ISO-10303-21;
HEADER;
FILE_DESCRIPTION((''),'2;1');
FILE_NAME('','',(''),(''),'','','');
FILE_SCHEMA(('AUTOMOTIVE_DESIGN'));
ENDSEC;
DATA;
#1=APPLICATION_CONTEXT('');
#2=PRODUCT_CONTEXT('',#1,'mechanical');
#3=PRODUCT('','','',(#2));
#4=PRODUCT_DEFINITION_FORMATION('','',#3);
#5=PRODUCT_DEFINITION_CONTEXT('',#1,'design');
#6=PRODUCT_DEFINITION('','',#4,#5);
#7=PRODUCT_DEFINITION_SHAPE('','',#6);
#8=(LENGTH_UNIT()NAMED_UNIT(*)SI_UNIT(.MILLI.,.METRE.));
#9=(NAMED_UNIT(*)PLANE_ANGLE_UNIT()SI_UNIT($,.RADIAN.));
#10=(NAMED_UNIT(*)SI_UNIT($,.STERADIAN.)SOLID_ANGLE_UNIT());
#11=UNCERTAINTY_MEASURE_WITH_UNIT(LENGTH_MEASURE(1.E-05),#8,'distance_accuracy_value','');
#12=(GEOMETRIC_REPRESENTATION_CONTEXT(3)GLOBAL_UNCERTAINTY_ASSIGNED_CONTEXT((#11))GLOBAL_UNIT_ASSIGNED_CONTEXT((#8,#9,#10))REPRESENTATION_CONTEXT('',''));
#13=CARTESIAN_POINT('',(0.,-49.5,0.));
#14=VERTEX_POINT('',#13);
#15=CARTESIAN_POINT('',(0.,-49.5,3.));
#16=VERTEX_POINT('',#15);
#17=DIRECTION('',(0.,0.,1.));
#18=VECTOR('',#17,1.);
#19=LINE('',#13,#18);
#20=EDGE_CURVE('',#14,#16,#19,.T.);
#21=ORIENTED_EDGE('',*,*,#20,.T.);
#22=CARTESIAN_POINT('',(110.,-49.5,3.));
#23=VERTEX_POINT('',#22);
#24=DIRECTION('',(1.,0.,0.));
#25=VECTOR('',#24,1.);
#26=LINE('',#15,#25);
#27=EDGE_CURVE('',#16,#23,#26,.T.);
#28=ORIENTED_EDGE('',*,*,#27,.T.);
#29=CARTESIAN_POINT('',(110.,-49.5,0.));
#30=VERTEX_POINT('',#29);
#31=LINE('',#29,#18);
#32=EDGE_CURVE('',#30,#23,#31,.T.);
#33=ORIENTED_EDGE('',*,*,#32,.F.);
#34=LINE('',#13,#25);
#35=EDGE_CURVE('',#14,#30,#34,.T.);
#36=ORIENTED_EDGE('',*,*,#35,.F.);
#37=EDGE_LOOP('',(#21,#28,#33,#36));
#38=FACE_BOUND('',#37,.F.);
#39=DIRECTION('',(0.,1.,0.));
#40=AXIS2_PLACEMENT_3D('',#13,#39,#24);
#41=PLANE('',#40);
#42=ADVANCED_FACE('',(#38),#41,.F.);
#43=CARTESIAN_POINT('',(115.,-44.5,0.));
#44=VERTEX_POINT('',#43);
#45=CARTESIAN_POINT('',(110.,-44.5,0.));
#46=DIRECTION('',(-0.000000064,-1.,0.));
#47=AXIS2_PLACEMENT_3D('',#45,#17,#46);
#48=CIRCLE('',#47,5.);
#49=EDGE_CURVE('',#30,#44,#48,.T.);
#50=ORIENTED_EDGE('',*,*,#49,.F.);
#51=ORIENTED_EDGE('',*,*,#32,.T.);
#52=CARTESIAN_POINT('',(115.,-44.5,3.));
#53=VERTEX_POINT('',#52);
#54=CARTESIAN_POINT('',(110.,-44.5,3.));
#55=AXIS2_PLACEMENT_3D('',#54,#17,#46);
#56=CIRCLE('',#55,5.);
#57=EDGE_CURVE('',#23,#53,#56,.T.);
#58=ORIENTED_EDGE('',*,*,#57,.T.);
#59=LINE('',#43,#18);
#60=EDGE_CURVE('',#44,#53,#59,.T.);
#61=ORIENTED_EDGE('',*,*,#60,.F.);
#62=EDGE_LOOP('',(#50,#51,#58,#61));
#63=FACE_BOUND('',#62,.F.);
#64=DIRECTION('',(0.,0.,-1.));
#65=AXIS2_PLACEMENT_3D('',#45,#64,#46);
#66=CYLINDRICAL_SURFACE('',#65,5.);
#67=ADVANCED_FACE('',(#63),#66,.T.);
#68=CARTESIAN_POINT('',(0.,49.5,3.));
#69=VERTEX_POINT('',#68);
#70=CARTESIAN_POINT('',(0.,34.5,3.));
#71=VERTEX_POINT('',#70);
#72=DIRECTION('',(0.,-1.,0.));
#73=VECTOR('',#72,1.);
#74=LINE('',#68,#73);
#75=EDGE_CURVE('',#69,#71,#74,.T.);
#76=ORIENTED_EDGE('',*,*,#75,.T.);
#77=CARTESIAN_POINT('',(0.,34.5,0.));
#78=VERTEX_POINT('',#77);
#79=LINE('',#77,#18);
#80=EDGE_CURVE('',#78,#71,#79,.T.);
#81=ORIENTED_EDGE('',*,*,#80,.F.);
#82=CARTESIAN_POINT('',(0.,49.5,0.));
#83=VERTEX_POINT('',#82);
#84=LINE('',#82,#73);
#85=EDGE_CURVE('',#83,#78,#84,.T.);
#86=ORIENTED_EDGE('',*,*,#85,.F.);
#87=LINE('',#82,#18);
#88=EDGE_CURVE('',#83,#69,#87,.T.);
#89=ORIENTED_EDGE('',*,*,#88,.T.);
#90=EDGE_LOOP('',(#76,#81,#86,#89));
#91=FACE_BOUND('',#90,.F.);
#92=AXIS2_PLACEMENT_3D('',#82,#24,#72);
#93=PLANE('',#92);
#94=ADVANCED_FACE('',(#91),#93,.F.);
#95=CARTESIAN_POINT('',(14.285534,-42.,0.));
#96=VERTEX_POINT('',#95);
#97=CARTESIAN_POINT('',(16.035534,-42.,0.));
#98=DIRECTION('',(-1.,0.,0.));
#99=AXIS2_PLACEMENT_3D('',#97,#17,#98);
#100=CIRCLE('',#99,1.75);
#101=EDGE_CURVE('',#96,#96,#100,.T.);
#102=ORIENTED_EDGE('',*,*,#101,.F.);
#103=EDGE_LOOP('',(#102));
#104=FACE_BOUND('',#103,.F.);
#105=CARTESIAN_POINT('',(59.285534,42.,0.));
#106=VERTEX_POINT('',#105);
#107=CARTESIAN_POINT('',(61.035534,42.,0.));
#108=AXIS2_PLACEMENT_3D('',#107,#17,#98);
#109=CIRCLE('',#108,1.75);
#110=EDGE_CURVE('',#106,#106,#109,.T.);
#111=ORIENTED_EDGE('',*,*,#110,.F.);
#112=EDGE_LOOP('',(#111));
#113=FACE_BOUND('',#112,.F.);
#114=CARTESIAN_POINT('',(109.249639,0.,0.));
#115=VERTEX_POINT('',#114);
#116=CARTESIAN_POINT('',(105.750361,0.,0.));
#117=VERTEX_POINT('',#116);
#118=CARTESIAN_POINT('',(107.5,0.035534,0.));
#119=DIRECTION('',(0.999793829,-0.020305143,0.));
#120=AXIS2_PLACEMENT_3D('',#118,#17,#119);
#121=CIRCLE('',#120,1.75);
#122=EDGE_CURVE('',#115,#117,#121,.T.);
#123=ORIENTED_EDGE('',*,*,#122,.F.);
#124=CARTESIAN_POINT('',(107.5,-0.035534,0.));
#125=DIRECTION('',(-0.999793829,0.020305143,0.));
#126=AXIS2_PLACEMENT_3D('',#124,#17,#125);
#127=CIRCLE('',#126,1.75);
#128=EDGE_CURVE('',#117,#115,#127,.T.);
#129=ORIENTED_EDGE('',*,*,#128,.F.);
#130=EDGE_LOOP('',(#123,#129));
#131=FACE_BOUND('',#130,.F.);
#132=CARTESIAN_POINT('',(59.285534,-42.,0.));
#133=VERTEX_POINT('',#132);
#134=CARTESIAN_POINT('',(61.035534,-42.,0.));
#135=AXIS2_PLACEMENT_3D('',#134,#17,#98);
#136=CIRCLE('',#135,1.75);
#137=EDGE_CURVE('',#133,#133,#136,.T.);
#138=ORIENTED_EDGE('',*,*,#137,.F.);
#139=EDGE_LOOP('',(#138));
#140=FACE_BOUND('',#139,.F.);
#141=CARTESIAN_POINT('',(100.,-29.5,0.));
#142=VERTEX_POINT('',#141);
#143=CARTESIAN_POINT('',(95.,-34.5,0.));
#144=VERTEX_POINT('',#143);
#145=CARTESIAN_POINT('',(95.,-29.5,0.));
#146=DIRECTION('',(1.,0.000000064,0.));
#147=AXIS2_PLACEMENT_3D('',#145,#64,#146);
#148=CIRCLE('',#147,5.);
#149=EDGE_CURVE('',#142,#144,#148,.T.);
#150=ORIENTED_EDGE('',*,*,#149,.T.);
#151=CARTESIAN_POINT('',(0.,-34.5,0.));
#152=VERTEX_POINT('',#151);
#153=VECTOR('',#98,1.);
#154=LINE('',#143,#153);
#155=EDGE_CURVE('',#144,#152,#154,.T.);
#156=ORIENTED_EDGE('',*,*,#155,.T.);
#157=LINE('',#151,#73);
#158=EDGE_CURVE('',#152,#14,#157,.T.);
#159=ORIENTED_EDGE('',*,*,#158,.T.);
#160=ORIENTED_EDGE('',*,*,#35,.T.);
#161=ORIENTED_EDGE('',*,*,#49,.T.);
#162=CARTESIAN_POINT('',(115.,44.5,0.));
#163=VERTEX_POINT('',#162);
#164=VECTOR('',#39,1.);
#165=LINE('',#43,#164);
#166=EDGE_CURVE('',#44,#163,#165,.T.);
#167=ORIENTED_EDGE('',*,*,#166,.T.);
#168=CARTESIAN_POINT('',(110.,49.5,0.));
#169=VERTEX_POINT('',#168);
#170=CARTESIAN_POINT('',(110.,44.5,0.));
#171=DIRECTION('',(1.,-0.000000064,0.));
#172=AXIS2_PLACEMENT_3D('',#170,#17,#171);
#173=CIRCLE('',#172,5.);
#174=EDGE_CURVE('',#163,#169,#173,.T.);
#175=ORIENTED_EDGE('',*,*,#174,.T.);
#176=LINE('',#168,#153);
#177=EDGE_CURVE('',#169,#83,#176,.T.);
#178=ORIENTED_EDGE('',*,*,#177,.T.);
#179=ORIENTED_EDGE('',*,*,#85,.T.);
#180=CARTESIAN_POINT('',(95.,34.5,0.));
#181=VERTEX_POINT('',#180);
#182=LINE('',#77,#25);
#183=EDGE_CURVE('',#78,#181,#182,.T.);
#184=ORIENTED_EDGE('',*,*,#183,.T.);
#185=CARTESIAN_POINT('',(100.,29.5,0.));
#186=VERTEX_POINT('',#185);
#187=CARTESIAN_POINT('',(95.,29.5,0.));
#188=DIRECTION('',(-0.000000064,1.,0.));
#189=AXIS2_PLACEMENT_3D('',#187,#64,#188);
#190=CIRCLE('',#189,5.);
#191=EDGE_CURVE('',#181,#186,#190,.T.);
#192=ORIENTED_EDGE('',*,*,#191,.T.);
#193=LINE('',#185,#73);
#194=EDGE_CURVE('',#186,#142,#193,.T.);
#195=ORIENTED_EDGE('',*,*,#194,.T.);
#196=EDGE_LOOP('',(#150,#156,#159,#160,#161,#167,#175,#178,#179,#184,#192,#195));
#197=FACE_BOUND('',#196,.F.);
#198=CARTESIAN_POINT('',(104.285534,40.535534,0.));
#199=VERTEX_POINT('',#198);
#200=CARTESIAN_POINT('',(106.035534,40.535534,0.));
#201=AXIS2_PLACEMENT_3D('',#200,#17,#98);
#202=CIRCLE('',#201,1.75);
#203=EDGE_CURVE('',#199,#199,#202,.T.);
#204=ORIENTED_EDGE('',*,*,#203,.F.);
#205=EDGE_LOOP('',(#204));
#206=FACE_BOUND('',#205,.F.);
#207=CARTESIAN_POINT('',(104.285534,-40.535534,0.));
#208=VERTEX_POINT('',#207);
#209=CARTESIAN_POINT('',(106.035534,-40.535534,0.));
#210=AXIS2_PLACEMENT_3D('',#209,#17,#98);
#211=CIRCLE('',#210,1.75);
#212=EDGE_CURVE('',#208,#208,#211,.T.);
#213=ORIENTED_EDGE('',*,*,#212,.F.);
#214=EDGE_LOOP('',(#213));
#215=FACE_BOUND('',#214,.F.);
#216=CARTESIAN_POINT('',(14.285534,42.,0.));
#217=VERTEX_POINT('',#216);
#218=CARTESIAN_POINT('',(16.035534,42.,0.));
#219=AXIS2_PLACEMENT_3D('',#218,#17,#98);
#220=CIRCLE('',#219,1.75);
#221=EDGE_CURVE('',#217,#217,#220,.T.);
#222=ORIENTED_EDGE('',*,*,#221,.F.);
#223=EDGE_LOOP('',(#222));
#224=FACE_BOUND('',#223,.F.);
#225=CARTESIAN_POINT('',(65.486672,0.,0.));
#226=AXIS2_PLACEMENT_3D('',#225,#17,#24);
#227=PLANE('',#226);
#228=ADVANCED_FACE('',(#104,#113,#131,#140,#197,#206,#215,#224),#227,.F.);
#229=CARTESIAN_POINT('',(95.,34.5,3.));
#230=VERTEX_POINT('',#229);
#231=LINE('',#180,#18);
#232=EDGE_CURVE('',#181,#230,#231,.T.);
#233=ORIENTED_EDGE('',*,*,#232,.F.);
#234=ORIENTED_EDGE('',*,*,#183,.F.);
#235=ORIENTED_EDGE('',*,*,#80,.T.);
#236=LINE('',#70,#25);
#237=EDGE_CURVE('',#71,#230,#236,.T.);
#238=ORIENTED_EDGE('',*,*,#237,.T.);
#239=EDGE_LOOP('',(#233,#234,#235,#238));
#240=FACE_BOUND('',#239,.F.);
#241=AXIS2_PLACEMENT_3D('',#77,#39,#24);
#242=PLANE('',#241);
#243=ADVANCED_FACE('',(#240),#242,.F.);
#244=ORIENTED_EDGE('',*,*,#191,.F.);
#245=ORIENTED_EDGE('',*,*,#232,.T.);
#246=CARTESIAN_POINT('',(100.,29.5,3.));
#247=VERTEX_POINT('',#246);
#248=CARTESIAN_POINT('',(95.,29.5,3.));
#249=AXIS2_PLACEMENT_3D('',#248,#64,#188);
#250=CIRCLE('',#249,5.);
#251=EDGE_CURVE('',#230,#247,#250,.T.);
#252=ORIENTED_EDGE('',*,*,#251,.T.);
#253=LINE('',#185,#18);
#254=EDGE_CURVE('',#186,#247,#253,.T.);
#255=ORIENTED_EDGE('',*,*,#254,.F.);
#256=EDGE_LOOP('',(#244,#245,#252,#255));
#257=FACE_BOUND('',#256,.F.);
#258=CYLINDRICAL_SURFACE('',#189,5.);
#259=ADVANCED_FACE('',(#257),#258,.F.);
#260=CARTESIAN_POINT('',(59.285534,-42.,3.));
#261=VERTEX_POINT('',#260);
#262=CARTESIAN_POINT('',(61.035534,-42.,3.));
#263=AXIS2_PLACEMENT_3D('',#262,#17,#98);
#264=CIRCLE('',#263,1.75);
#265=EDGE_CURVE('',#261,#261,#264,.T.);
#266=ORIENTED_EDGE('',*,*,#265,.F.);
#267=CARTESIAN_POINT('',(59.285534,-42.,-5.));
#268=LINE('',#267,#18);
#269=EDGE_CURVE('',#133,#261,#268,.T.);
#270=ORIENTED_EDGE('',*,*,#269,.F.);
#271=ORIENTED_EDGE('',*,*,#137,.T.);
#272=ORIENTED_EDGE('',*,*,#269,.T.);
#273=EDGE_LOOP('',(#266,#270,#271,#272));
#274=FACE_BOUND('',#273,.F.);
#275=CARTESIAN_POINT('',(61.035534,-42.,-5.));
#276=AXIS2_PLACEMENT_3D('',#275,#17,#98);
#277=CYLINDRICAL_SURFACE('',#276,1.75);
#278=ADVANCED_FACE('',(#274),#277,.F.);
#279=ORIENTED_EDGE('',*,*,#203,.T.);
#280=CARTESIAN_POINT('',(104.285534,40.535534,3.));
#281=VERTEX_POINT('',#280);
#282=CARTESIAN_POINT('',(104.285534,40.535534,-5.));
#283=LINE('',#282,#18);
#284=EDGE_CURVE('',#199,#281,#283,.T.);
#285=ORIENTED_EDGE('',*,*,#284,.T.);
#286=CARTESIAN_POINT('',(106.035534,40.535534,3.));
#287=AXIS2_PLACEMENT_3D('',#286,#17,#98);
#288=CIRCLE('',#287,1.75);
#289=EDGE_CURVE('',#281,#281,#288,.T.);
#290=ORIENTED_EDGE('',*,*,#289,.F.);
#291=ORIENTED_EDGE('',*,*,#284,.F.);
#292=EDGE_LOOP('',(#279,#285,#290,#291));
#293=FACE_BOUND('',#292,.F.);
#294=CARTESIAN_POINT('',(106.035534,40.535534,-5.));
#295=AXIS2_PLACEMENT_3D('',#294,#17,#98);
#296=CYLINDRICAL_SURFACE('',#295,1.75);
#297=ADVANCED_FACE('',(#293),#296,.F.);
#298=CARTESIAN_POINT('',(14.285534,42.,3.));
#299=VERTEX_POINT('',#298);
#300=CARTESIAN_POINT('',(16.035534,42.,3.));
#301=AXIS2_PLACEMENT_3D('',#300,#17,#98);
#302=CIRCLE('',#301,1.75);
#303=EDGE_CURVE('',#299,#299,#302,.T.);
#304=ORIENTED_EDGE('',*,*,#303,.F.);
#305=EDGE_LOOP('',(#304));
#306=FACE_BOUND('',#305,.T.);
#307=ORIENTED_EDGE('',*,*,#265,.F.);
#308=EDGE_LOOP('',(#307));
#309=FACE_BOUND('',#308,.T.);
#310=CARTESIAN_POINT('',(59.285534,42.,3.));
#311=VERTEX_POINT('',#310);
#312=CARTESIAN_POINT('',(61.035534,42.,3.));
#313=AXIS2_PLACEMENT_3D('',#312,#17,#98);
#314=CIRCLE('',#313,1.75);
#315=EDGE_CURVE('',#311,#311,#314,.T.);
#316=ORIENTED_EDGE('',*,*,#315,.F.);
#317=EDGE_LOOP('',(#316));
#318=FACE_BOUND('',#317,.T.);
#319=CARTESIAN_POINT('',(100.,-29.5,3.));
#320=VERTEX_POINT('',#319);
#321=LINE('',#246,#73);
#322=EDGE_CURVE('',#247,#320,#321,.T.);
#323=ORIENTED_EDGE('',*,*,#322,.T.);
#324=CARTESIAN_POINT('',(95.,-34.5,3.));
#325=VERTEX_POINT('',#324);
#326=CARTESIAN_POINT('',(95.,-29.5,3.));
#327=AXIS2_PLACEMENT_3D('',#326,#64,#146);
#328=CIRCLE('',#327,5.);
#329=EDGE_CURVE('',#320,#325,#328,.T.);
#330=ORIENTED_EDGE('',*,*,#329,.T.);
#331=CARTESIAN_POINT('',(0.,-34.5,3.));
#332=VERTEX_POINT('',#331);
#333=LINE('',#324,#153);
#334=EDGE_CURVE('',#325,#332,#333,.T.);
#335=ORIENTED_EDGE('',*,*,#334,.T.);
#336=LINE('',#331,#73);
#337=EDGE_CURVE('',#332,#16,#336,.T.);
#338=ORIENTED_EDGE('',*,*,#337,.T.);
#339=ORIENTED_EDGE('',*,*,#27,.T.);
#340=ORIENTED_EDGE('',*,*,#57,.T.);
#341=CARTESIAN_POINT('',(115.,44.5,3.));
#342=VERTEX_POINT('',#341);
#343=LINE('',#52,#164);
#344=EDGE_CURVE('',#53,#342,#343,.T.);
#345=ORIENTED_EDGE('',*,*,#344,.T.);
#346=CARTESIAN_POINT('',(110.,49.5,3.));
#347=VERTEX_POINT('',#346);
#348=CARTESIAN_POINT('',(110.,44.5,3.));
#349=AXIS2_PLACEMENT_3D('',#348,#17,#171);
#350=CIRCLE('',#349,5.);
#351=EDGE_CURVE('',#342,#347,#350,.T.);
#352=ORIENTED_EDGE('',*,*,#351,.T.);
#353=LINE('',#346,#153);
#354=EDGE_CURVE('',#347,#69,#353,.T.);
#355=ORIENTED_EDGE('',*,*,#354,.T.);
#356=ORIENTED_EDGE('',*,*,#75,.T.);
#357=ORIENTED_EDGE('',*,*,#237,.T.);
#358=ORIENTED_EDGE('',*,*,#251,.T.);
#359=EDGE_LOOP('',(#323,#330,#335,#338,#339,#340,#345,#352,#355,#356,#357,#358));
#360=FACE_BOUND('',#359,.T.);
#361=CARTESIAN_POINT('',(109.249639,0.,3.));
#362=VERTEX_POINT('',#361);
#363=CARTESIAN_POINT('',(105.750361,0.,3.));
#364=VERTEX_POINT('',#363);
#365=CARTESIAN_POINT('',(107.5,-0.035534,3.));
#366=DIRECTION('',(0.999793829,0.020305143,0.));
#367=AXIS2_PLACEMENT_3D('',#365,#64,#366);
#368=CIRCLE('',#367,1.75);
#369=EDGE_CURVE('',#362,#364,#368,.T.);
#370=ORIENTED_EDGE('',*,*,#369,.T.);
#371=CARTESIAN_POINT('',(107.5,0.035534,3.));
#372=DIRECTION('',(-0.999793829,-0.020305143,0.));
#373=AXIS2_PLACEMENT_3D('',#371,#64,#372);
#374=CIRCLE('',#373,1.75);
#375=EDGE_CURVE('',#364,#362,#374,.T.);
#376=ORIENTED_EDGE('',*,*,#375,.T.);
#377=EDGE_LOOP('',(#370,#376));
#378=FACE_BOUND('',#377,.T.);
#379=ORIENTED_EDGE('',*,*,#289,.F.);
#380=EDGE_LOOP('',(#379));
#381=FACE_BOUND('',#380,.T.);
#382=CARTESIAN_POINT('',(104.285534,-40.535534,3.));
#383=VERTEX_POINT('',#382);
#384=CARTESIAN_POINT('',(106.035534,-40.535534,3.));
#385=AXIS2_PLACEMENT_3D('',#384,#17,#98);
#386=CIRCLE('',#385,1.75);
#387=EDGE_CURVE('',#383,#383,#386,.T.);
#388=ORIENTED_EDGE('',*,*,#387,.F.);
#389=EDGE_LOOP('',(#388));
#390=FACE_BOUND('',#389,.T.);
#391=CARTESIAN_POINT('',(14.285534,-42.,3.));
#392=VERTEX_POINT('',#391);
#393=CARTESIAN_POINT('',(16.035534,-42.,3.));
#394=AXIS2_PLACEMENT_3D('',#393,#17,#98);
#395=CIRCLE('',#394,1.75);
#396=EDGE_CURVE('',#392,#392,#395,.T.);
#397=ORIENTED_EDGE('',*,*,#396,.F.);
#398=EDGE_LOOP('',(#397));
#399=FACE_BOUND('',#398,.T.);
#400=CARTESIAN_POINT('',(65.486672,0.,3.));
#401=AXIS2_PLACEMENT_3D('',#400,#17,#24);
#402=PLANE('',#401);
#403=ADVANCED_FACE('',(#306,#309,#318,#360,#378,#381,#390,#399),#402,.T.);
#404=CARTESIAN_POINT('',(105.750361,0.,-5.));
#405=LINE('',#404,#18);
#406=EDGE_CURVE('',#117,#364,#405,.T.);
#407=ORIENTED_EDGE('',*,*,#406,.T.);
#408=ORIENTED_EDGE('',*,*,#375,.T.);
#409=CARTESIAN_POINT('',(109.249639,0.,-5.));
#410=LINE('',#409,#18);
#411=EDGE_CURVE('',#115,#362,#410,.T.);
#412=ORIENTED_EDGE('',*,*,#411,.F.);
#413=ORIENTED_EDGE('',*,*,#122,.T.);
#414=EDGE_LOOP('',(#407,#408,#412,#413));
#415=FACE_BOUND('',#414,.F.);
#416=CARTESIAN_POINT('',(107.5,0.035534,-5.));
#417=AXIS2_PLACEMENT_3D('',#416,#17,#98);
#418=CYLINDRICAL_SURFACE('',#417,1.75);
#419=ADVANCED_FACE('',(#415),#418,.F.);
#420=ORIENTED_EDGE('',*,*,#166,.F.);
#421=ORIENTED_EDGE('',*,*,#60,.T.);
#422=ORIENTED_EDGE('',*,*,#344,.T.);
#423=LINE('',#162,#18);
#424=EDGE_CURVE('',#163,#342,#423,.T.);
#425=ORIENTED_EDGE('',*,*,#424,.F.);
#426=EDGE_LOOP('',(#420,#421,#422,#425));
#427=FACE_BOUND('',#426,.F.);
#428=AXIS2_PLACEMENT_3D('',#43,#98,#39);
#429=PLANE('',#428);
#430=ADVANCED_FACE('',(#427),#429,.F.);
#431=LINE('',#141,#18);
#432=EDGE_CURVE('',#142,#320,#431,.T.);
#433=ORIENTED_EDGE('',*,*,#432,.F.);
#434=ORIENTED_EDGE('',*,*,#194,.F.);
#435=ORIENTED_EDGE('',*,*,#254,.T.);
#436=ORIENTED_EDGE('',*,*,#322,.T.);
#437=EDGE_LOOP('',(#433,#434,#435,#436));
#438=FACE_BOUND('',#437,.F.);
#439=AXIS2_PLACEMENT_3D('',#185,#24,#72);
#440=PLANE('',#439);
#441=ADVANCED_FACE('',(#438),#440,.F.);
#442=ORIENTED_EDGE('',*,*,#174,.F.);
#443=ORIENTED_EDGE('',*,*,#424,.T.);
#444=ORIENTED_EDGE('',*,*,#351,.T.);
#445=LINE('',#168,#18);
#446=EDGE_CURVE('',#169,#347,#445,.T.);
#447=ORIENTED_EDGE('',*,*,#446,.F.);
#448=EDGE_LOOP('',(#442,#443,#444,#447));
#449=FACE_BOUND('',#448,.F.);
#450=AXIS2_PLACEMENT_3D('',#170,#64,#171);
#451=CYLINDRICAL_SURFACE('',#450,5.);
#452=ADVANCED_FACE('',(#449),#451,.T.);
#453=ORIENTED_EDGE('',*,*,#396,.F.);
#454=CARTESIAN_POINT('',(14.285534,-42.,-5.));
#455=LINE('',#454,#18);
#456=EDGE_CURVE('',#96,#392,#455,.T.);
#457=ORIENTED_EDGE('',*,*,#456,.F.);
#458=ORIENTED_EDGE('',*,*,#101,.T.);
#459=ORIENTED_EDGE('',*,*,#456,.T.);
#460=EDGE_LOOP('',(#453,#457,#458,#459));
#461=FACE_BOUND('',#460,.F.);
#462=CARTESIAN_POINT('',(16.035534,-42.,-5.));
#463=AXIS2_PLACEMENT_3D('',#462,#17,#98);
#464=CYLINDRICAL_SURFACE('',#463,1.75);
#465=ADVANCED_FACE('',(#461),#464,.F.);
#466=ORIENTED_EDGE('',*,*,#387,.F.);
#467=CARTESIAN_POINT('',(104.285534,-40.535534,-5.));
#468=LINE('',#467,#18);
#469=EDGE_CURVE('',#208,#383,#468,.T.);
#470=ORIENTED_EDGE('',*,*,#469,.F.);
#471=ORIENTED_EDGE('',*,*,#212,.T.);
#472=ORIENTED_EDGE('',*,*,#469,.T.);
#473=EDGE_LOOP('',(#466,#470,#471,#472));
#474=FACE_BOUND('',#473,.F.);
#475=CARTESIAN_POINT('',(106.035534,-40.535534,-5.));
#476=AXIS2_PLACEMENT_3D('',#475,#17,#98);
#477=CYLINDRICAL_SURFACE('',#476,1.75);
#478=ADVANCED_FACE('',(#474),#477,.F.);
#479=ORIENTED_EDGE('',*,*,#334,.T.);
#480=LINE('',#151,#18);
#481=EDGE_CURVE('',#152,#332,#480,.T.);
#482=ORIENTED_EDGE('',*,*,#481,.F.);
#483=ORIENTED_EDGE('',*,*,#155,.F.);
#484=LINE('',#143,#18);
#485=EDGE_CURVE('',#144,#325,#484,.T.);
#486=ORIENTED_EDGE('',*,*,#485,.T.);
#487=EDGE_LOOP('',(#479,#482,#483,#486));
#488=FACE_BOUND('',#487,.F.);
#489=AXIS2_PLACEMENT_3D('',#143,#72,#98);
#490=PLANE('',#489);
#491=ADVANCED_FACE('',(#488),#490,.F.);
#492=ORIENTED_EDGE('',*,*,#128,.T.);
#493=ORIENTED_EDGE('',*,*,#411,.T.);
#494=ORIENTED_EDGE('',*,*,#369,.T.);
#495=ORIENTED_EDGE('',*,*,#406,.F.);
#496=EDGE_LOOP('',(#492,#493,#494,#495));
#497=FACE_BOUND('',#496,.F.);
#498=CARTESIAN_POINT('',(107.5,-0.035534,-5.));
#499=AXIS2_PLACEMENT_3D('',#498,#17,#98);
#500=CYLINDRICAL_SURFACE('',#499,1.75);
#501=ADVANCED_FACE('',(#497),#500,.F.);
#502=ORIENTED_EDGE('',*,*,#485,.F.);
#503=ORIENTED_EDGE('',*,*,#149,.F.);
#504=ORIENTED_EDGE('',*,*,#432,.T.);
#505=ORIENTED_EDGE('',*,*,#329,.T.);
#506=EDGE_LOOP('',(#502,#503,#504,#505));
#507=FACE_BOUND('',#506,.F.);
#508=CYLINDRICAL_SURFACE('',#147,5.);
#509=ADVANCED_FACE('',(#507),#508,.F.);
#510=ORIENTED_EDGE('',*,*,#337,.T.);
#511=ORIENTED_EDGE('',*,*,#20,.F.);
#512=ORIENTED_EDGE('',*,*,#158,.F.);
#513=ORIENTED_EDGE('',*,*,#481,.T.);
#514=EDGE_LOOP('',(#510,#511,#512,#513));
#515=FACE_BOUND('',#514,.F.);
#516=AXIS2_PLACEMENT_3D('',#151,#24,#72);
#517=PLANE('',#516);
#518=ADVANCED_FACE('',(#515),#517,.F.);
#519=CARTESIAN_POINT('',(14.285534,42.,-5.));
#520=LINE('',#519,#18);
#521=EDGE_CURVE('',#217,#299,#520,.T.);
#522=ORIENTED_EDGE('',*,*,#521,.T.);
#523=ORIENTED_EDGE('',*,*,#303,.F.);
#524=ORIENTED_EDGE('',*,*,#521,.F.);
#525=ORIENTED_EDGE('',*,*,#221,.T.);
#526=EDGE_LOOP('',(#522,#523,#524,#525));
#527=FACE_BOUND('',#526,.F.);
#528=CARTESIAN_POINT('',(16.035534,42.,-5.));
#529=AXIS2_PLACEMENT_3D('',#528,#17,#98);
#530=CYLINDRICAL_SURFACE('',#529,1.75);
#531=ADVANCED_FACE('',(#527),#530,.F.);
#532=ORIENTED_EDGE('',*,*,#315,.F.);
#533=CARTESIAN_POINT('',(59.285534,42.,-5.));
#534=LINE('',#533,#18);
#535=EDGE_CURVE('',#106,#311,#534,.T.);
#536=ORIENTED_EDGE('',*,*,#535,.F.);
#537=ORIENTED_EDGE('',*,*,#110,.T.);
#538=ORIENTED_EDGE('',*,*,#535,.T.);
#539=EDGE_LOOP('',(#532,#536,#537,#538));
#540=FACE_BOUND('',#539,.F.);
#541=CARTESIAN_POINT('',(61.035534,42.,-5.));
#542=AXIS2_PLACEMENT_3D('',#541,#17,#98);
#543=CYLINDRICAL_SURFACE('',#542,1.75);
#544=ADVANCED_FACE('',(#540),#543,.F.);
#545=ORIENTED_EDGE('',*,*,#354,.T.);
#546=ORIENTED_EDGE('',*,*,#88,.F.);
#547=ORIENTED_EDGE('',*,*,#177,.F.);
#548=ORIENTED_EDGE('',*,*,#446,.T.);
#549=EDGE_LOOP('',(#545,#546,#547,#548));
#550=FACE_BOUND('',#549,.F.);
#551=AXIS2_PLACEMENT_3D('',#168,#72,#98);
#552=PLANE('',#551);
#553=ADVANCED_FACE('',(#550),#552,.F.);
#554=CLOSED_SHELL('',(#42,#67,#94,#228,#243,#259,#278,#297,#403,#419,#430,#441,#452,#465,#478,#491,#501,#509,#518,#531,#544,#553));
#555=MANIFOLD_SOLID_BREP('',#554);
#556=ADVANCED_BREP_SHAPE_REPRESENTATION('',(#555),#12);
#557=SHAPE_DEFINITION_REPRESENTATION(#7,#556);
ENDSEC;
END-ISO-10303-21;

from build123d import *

# Parameters (mm, degrees)
F1_DEPTH = 3
F2_D     = 3.5
F2_DEPTH = 5


with BuildPart() as f1:
    # F0 (on Top) → F1 (new body)
    with BuildSketch(Plane.XY):
        with BuildLine():
            ThreePointArc((100, -29.5), (98.535534, -33.035534), (95, -34.5))
            Line((95, -34.5), (0, -34.5))
            Line((0, -34.5), (0, -49.5))
            Line((0, -49.5), (110, -49.5))
            ThreePointArc((110, -49.5), (113.535534, -48.035534), (115, -44.5))
            Line((115, -44.5), (115, 44.5))
            ThreePointArc((115, 44.5), (113.535534, 48.035534), (110, 49.5))
            Line((110, 49.5), (0, 49.5))
            Line((0, 49.5), (0, 34.5))
            Line((0, 34.5), (95, 34.5))
            ThreePointArc((95, 34.5), (98.535534, 33.035534), (100, 29.5))
            Line((100, 29.5), (100, -29.5))
        make_face()
    extrude(amount=F1_DEPTH)

    # F2
    with Locations(Plane(origin=(0, 0, 0), x_dir=(1, 0, 0), z_dir=(0, 0, -1))):
        with Locations((16.035534, 42), (61.035534, 42), (106.035534, 40.535534), (107.5, 0.035534), (107.5, -0.035534), (106.035534, -40.535534), (61.035534, -42), (16.035534, -42)):
            Hole(F2_D / 2, depth=F2_DEPTH)


solid = f1.part
